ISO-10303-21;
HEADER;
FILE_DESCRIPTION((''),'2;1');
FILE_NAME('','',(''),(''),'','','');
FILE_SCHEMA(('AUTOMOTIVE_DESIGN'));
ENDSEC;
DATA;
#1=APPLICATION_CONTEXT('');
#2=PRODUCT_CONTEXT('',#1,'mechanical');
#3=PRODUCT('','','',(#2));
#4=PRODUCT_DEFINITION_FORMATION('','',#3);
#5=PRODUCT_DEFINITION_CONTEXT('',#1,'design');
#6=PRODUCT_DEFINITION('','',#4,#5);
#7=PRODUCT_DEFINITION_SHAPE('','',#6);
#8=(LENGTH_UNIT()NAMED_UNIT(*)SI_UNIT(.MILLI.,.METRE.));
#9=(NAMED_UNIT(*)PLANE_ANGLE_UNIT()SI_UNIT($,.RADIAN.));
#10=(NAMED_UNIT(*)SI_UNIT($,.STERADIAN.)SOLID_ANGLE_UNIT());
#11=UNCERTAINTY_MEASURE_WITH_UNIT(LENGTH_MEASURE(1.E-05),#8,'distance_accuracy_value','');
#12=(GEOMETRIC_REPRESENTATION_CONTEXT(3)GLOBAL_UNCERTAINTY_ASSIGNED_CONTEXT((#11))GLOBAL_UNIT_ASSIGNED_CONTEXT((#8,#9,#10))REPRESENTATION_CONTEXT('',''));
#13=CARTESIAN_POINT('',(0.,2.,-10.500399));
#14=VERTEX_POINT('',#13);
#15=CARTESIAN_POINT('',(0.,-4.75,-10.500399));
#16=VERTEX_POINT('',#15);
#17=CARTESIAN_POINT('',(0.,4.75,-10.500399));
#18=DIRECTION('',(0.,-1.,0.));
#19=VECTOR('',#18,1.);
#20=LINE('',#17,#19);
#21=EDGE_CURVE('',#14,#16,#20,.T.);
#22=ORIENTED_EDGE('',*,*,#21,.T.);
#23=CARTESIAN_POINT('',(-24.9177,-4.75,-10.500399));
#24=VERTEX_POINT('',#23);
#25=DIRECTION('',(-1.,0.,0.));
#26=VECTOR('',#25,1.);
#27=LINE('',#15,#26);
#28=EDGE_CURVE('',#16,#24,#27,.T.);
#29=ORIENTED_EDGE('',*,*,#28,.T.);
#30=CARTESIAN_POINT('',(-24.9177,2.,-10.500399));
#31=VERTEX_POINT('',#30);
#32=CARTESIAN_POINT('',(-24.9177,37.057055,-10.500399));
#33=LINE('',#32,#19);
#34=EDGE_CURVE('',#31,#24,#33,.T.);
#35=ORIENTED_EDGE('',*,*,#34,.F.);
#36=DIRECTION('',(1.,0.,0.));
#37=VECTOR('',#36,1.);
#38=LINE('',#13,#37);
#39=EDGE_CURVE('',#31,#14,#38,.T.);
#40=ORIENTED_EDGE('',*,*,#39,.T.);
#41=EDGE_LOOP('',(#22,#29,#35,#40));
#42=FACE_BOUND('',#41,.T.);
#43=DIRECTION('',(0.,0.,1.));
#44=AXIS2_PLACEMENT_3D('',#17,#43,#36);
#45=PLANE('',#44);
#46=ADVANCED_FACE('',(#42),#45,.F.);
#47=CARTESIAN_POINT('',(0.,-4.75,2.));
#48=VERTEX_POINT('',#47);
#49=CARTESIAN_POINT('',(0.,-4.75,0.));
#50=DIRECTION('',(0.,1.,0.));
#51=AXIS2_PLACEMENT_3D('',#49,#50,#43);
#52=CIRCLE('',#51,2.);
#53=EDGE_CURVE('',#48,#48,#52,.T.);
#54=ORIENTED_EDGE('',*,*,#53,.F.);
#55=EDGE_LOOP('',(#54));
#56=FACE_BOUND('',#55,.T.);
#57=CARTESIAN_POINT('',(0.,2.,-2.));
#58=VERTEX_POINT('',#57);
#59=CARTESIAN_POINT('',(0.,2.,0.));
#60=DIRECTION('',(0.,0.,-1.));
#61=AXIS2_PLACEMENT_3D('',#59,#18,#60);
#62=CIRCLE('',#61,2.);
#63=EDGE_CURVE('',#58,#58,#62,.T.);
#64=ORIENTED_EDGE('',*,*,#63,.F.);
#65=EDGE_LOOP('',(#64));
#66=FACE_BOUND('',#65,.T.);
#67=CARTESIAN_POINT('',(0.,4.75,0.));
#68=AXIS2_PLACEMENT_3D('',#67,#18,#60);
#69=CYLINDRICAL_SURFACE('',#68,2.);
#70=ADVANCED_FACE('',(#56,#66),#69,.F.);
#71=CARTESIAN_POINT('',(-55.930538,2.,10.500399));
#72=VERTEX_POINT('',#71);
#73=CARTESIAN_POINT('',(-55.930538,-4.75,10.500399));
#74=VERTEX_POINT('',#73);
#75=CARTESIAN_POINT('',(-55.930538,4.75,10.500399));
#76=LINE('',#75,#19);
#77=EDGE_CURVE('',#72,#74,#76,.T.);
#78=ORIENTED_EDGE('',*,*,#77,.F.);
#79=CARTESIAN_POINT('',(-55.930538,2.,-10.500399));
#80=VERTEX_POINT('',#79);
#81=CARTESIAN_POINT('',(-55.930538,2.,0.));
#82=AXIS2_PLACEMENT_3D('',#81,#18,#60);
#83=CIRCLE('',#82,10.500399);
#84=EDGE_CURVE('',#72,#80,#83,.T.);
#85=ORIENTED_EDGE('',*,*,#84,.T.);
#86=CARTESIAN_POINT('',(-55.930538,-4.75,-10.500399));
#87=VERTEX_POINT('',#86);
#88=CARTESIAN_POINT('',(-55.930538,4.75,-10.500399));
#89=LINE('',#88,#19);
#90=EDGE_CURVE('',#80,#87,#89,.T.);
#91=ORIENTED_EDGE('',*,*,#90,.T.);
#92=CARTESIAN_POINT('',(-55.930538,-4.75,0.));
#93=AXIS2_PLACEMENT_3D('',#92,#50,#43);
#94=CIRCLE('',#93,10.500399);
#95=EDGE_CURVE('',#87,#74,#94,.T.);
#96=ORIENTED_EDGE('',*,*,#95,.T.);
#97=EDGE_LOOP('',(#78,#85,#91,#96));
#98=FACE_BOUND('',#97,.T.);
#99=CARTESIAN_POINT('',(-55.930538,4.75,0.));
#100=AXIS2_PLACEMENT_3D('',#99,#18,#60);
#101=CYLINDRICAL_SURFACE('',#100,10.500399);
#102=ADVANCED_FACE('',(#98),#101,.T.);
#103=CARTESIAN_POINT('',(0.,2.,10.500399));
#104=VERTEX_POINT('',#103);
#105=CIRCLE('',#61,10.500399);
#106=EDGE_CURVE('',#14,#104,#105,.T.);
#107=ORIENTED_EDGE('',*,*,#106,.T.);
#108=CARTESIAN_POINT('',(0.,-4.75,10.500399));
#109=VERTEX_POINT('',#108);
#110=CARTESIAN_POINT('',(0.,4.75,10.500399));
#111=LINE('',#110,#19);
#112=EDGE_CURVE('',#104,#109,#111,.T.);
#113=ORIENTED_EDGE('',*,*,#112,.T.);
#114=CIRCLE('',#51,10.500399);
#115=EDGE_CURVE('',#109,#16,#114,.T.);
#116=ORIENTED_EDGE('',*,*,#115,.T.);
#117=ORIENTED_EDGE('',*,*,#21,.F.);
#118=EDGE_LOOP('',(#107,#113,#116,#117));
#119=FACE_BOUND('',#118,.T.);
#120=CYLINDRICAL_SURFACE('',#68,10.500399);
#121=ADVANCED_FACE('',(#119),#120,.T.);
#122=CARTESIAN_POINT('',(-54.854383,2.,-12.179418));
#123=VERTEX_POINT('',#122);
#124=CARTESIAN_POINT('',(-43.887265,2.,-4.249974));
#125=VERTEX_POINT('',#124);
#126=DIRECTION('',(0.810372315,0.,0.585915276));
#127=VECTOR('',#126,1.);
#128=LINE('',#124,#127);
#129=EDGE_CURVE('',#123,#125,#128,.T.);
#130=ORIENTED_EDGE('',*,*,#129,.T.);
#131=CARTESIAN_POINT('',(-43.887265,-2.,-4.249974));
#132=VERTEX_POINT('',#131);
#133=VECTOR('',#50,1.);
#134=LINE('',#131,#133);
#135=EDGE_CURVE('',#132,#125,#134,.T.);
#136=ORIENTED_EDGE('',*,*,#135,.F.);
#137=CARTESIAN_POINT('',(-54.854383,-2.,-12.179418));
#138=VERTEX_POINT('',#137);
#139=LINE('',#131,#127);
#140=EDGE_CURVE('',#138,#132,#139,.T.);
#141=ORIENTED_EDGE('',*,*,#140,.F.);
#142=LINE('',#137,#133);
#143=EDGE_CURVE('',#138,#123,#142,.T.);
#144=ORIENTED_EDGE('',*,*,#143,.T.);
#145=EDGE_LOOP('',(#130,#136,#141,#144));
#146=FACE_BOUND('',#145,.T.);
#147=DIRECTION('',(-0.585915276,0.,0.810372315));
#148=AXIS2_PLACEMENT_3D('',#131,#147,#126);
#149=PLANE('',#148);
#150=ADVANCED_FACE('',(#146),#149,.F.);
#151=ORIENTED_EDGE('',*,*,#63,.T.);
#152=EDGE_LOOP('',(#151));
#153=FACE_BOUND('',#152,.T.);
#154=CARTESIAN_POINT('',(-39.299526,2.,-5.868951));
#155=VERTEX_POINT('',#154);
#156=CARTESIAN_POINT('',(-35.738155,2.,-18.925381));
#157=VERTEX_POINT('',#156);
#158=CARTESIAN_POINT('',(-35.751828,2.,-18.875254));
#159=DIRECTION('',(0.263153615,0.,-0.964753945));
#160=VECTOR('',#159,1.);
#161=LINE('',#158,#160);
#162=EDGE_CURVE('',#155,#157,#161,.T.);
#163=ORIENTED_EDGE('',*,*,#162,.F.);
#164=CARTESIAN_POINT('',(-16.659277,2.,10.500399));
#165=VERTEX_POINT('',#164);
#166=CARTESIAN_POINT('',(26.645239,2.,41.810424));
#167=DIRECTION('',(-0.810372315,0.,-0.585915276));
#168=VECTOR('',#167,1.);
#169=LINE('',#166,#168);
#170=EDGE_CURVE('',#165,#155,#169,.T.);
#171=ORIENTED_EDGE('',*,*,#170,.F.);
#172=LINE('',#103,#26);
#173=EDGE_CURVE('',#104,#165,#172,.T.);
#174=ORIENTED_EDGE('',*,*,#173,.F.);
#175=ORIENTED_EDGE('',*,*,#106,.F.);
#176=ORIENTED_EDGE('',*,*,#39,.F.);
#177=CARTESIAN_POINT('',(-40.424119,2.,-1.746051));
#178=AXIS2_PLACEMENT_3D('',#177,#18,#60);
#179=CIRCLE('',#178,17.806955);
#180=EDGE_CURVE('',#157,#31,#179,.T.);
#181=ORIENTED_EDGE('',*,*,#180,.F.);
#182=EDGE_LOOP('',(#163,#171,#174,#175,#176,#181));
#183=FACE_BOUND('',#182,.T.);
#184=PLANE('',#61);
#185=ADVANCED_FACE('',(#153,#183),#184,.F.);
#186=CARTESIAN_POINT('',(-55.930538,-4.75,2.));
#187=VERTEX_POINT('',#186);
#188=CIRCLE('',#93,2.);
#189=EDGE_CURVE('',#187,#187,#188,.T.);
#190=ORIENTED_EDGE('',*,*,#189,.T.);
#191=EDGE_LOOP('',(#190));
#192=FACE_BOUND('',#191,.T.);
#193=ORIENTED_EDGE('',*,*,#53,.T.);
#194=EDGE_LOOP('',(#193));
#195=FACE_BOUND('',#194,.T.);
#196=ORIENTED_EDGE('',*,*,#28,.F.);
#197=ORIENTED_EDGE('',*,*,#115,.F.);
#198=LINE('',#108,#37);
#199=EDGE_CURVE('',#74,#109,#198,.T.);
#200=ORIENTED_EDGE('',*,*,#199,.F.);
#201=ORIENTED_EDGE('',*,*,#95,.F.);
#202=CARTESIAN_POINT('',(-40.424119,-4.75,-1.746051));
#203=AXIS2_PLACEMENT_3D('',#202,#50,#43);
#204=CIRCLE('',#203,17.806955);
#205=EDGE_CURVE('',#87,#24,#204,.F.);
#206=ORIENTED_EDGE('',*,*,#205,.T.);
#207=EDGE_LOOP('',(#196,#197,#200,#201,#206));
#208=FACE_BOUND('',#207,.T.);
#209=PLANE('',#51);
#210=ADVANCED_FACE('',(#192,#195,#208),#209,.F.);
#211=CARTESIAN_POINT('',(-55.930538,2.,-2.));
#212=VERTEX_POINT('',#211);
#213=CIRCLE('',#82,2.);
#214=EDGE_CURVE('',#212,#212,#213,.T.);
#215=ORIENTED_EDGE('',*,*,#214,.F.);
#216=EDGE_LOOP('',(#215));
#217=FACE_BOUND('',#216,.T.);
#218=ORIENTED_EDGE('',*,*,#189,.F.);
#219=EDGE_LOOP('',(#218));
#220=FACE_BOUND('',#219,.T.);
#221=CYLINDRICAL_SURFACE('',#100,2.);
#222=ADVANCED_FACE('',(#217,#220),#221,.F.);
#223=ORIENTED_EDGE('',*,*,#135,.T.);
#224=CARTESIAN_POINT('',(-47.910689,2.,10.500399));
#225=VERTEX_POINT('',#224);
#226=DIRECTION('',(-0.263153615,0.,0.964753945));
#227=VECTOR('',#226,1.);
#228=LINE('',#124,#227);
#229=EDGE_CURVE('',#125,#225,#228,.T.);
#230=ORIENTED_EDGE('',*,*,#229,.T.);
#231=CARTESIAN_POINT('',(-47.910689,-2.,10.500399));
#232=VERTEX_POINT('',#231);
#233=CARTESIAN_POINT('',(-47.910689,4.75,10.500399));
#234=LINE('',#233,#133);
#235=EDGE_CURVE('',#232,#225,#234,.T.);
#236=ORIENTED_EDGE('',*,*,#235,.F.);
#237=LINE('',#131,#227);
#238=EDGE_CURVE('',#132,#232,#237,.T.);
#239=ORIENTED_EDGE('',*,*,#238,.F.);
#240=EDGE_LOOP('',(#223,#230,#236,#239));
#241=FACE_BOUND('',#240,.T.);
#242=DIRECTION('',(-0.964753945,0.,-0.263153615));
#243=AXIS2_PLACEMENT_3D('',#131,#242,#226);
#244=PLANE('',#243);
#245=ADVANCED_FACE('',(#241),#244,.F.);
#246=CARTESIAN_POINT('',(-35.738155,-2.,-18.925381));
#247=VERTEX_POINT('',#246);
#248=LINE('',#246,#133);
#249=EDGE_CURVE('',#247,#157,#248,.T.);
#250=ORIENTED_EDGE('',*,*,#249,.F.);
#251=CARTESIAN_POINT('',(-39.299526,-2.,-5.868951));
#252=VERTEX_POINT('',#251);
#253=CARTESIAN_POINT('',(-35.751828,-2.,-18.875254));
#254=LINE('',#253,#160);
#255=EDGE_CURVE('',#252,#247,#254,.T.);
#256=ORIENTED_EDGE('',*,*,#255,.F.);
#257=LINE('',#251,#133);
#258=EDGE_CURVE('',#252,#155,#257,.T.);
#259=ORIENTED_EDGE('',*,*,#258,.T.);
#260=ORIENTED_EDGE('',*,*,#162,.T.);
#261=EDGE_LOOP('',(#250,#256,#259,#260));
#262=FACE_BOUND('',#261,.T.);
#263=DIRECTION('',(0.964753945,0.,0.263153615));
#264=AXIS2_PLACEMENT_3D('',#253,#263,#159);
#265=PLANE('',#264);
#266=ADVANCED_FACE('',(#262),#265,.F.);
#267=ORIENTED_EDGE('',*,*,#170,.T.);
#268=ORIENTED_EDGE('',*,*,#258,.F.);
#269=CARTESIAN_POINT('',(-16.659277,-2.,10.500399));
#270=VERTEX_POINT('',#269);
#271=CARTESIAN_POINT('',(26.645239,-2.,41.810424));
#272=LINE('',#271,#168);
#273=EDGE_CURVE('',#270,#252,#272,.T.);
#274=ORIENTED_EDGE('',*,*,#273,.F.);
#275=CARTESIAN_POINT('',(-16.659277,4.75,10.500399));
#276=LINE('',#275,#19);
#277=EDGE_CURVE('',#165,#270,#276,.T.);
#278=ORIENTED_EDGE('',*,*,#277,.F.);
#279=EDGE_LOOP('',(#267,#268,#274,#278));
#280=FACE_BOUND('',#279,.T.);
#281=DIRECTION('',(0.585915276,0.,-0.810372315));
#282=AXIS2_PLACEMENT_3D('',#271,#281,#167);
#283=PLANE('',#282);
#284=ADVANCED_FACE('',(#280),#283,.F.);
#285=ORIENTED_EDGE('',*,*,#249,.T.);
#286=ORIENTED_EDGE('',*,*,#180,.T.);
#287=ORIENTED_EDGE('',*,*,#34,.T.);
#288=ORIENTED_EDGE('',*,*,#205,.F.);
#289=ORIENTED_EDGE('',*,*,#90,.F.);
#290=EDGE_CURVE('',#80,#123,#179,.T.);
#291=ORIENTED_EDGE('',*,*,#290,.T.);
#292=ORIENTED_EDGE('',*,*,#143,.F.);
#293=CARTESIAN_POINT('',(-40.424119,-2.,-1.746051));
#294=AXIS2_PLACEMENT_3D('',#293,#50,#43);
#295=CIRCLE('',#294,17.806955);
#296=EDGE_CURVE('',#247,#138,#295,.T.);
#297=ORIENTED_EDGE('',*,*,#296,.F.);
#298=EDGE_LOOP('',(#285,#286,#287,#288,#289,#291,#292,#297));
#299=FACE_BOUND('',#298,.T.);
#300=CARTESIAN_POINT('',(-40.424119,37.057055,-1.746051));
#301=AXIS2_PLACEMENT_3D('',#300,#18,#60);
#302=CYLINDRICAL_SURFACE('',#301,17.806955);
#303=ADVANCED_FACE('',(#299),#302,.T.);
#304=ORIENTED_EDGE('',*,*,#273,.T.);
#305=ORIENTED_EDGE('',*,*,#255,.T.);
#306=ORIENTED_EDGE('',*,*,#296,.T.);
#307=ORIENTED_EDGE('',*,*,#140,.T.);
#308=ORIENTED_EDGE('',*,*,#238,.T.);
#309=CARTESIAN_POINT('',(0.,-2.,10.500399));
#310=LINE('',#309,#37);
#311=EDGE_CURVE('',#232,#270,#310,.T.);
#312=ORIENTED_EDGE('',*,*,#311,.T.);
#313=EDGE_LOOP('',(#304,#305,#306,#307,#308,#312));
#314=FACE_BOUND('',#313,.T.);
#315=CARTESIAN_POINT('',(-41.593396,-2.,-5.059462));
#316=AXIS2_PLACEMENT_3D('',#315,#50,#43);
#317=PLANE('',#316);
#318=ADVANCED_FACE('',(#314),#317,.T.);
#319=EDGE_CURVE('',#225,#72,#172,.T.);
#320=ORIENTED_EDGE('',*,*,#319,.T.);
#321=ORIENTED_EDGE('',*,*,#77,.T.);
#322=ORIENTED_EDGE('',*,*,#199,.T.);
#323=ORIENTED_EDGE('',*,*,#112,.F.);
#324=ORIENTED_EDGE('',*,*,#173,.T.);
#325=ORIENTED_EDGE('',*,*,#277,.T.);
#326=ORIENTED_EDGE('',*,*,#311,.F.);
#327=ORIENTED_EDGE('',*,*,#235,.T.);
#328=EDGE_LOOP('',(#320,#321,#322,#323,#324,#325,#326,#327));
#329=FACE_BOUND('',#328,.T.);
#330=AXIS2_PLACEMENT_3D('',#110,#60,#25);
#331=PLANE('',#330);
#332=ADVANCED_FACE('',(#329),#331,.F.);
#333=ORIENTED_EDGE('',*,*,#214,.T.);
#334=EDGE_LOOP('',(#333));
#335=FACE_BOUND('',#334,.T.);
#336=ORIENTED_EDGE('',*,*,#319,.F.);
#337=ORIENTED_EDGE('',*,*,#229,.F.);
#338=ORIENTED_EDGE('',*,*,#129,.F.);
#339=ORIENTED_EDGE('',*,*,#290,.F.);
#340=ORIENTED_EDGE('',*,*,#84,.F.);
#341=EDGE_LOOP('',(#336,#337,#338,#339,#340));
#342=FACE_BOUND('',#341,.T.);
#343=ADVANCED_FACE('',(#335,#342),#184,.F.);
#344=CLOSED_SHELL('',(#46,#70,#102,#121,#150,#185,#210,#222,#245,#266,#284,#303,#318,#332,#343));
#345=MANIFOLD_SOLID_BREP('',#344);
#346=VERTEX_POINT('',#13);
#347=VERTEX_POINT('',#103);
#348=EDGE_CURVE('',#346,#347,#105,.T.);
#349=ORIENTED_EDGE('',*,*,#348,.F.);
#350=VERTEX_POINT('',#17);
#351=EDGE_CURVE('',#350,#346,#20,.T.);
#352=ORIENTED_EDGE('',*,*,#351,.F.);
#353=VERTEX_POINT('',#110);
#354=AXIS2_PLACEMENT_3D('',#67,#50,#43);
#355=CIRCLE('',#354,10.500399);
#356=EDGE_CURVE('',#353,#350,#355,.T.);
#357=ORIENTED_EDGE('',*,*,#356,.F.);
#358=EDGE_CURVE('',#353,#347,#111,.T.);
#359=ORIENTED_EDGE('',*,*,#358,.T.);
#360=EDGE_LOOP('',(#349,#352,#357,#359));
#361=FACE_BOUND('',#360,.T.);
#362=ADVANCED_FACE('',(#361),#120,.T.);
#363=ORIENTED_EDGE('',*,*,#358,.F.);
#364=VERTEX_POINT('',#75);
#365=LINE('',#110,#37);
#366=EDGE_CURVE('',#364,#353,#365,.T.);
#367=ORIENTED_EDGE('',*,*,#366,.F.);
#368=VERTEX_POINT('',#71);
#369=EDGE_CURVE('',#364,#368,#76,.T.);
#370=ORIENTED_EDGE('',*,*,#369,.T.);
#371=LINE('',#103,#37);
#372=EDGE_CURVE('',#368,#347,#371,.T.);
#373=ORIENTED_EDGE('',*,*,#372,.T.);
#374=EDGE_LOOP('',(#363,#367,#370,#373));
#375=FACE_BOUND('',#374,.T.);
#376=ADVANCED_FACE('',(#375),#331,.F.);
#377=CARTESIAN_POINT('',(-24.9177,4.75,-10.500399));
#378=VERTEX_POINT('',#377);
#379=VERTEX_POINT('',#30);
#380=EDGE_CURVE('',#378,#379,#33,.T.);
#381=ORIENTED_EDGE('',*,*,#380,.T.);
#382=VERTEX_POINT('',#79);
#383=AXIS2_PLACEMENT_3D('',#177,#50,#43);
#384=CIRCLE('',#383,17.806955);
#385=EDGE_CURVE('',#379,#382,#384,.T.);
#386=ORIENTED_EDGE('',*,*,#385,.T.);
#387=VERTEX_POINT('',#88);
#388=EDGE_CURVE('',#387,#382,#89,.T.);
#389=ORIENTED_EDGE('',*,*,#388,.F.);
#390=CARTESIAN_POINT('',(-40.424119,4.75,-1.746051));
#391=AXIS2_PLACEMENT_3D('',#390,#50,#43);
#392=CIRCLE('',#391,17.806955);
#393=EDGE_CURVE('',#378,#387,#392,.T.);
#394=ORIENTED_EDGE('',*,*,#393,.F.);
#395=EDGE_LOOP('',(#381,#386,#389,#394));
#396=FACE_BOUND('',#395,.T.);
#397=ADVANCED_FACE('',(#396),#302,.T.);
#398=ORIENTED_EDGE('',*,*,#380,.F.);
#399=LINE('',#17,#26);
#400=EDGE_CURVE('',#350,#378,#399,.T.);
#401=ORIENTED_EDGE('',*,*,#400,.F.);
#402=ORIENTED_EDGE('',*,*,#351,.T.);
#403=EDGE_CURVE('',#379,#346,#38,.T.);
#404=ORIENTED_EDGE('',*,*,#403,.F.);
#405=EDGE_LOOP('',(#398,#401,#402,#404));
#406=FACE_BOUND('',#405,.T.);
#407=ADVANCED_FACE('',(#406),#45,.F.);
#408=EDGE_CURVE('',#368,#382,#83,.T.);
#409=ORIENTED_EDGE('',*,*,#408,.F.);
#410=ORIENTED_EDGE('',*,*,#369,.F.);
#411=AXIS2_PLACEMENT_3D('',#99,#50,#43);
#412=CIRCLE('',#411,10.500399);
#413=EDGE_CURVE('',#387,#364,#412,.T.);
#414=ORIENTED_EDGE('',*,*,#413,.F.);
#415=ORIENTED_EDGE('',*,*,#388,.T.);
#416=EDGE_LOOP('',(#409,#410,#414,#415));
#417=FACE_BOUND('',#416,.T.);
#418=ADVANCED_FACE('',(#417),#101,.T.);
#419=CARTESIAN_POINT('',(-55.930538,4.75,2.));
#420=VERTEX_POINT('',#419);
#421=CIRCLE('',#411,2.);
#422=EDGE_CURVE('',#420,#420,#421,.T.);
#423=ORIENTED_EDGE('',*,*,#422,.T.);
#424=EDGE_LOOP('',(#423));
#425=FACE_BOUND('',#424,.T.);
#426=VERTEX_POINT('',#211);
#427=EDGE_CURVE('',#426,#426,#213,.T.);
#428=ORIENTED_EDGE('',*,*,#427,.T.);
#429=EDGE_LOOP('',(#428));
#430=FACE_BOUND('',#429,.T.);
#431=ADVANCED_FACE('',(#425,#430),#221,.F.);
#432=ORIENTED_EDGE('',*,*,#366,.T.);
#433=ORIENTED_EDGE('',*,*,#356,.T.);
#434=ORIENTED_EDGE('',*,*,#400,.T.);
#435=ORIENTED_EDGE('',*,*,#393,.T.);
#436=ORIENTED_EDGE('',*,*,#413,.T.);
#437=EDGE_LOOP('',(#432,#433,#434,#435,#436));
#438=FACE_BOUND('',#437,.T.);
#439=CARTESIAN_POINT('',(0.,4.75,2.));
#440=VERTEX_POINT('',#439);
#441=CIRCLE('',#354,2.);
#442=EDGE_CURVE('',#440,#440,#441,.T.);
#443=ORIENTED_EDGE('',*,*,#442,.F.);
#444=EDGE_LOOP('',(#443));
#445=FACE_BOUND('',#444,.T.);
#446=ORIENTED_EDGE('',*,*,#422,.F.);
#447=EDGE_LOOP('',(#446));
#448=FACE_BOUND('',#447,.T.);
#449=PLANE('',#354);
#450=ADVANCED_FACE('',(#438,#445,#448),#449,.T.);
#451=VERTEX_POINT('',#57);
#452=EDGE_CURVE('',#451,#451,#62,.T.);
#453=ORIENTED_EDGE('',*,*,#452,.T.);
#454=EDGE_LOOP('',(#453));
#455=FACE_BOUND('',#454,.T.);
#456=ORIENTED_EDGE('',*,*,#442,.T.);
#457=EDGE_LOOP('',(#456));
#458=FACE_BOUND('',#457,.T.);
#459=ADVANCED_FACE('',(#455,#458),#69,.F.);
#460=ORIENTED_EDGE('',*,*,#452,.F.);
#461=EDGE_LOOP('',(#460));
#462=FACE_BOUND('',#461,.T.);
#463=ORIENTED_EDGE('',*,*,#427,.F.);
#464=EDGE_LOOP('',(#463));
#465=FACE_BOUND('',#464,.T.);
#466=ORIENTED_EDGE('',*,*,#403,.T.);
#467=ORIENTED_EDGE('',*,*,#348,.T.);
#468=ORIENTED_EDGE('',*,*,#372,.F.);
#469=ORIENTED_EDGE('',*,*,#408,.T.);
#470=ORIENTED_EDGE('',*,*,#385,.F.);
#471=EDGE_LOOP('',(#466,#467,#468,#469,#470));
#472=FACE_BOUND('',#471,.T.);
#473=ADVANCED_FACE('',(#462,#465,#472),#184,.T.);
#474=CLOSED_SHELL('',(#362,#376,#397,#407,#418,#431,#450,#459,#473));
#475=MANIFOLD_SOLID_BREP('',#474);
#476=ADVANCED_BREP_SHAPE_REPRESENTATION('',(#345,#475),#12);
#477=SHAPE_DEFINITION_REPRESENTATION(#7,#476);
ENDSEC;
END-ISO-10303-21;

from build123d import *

# Parameters (mm, degrees)
SKETCH1_R                       = 2
BOSS_EXTRUDE1_DEPTH             = 4.75
CUT_EXTRUDE1_DEPTH              = 2
BOSS_EXTRUDE2_REACH             = 69.423
BOSS_EXTRUDE2_DIRECTION_2_REACH = 69.423
CUT_EXTRUDE2_DEPTH              = 2


with BuildPart() as part:
    # Sketch1 → Boss-Extrude1 (new, symmetric)
    with BuildSketch(Plane(origin=(0, 0, 0), x_dir=(1, 0, 0), z_dir=(0, 1, 0))):
        with BuildLine():
            Line((0, -10.500399217), (-55.93053828, -10.500399217))
            ThreePointArc((-55.93053828, -10.500399217), (-66.430937497, 0), (-55.93053828, 10.500399217))
            Line((-55.93053828, 10.500399217), (0, 10.500399217))
            ThreePointArc((0, 10.500399217), (10.500399217, 0), (0, -10.500399217))
        make_face()
        with Locations(Location((0, 0, 0), (0, 0, 270))):
            Circle(SKETCH1_R, mode=Mode.SUBTRACT)
        with Locations(Location((-55.93053828, 0, 0), (0, 0, 270))):
            Circle(SKETCH1_R, mode=Mode.SUBTRACT)
    extrude(amount=BOSS_EXTRUDE1_DEPTH, both=True)

    # Sketch3 → Cut-Extrude1 (cut, symmetric)
    with BuildSketch(Plane(origin=(0, 0, 0), x_dir=(1, 0, 0), z_dir=(0, 1, 0))):
        with BuildLine():
            Line((-35.751827911, 18.875253657), (-39.299525946, 5.868950542))
            Line((-39.299525946, 5.868950542), (26.645239155, -41.810424095))
            ThreePointArc((26.645239155, -41.810424095), (-18.563858299, -45.972421055), (-48.206523525, -11.584965354))
            Line((-48.206523525, -11.584965354), (-43.887265107, 4.249974277))
            Line((-43.887265107, 4.249974277), (-54.812276631, 12.148974547))
            ThreePointArc((-54.812276631, 12.148974547), (-46.585078234, 19.204535889), (-35.751827911, 18.875253657))
        make_face()
    extrude(amount=CUT_EXTRUDE1_DEPTH, both=True, mode=Mode.SUBTRACT)

    # Boss-Extrude2: up to this face of the body (flat: up to its plane)
    boss_extrude2_end = Plane(part.part.faces().sort_by_distance((-27.96526914, 4.75, 0))[0])
    # Sketch5 → Boss-Extrude2 (add, up to the picked face)
    with BuildSketch(Plane(origin=(0, 0, 0), x_dir=(1, 0, 0), z_dir=(0, 1, 0)), mode=Mode.PRIVATE) as boss_extrude2_sk1:
        with BuildLine():
            ThreePointArc((-24.917700351, 10.500399217), (-40.424119316, 19.553005923), (-55.93053828, 10.500399217))
            Line((-55.93053828, 10.500399217), (-24.917700351, 10.500399217))
        make_face()
    boss_extrude2_tool1 = split(extrude(boss_extrude2_sk1.sketch, amount=BOSS_EXTRUDE2_REACH, mode=Mode.PRIVATE), bisect_by=boss_extrude2_end, keep=Keep.BOTH, mode=Mode.PRIVATE)
    add(boss_extrude2_tool1.solids().sort_by(Axis((-40.424119, 0, -14.214125), (0, 1, 0)))[0])

    # Boss-Extrude2 direction 2: up to this face of the body (flat: up to its plane)
    boss_extrude2_direction_2_end = Plane(part.part.faces().sort_by_distance((-27.96526914, -4.75, 0))[0])
    # Sketch5 → Boss-Extrude2 direction 2 (add, up to the picked face)
    with BuildSketch(Plane(origin=(0, 0, 0), x_dir=(1, 0, 0), z_dir=(0, 1, 0)), mode=Mode.PRIVATE) as boss_extrude2_direction_2_sk1:
        with BuildLine():
            ThreePointArc((-24.917700351, 10.500399217), (-40.424119316, 19.553005923), (-55.93053828, 10.500399217))
            Line((-55.93053828, 10.500399217), (-24.917700351, 10.500399217))
        make_face()
    boss_extrude2_direction_2_tool1 = split(extrude(boss_extrude2_direction_2_sk1.sketch, amount=-BOSS_EXTRUDE2_DIRECTION_2_REACH, mode=Mode.PRIVATE), bisect_by=boss_extrude2_direction_2_end, keep=Keep.BOTH, mode=Mode.PRIVATE)
    add(boss_extrude2_direction_2_tool1.solids().sort_by(Axis((-40.424119, 0, -14.214125), (0, -1, 0)))[0])

    # Sketch6 → Cut-Extrude2 (cut, symmetric)
    with BuildSketch(Plane(origin=(0, 0, 0), x_dir=(1, 0, 0), z_dir=(0, 1, 0))):
        with BuildLine():
            Line((-39.299525946, 5.868950542), (-16.659276721, -10.500399217))
            Line((-16.659276721, -10.500399217), (-47.910689027, -10.500399217))
            Line((-47.910689027, -10.500399217), (-43.887265107, 4.249974277))
            Line((-43.887265107, 4.249974277), (-54.854382526, 12.179417945))
            ThreePointArc((-54.854382526, 12.179417945), (-46.349897212, 18.538096729), (-35.738154791, 18.925381021))
            Line((-35.738154791, 18.925381021), (-39.299525946, 5.868950542))
        make_face()
    extrude(amount=CUT_EXTRUDE2_DEPTH, both=True, mode=Mode.SUBTRACT)


with BuildPart() as body_2:
    # Split1: the piece on the far side of the plane
    add(part.part)
    split(bisect_by=Plane(origin=(0, 2, 0), x_dir=(0, 0, -1), z_dir=(0, -1, 0)), keep=Keep.BOTTOM)


with BuildPart() as part_1:
    add(part.part)

    # Split1
    split(bisect_by=Plane(origin=(0, 2, 0), x_dir=(0, 0, -1), z_dir=(0, -1, 0)), keep=Keep.TOP)


solid = Compound([body_2.part, part_1.part])
